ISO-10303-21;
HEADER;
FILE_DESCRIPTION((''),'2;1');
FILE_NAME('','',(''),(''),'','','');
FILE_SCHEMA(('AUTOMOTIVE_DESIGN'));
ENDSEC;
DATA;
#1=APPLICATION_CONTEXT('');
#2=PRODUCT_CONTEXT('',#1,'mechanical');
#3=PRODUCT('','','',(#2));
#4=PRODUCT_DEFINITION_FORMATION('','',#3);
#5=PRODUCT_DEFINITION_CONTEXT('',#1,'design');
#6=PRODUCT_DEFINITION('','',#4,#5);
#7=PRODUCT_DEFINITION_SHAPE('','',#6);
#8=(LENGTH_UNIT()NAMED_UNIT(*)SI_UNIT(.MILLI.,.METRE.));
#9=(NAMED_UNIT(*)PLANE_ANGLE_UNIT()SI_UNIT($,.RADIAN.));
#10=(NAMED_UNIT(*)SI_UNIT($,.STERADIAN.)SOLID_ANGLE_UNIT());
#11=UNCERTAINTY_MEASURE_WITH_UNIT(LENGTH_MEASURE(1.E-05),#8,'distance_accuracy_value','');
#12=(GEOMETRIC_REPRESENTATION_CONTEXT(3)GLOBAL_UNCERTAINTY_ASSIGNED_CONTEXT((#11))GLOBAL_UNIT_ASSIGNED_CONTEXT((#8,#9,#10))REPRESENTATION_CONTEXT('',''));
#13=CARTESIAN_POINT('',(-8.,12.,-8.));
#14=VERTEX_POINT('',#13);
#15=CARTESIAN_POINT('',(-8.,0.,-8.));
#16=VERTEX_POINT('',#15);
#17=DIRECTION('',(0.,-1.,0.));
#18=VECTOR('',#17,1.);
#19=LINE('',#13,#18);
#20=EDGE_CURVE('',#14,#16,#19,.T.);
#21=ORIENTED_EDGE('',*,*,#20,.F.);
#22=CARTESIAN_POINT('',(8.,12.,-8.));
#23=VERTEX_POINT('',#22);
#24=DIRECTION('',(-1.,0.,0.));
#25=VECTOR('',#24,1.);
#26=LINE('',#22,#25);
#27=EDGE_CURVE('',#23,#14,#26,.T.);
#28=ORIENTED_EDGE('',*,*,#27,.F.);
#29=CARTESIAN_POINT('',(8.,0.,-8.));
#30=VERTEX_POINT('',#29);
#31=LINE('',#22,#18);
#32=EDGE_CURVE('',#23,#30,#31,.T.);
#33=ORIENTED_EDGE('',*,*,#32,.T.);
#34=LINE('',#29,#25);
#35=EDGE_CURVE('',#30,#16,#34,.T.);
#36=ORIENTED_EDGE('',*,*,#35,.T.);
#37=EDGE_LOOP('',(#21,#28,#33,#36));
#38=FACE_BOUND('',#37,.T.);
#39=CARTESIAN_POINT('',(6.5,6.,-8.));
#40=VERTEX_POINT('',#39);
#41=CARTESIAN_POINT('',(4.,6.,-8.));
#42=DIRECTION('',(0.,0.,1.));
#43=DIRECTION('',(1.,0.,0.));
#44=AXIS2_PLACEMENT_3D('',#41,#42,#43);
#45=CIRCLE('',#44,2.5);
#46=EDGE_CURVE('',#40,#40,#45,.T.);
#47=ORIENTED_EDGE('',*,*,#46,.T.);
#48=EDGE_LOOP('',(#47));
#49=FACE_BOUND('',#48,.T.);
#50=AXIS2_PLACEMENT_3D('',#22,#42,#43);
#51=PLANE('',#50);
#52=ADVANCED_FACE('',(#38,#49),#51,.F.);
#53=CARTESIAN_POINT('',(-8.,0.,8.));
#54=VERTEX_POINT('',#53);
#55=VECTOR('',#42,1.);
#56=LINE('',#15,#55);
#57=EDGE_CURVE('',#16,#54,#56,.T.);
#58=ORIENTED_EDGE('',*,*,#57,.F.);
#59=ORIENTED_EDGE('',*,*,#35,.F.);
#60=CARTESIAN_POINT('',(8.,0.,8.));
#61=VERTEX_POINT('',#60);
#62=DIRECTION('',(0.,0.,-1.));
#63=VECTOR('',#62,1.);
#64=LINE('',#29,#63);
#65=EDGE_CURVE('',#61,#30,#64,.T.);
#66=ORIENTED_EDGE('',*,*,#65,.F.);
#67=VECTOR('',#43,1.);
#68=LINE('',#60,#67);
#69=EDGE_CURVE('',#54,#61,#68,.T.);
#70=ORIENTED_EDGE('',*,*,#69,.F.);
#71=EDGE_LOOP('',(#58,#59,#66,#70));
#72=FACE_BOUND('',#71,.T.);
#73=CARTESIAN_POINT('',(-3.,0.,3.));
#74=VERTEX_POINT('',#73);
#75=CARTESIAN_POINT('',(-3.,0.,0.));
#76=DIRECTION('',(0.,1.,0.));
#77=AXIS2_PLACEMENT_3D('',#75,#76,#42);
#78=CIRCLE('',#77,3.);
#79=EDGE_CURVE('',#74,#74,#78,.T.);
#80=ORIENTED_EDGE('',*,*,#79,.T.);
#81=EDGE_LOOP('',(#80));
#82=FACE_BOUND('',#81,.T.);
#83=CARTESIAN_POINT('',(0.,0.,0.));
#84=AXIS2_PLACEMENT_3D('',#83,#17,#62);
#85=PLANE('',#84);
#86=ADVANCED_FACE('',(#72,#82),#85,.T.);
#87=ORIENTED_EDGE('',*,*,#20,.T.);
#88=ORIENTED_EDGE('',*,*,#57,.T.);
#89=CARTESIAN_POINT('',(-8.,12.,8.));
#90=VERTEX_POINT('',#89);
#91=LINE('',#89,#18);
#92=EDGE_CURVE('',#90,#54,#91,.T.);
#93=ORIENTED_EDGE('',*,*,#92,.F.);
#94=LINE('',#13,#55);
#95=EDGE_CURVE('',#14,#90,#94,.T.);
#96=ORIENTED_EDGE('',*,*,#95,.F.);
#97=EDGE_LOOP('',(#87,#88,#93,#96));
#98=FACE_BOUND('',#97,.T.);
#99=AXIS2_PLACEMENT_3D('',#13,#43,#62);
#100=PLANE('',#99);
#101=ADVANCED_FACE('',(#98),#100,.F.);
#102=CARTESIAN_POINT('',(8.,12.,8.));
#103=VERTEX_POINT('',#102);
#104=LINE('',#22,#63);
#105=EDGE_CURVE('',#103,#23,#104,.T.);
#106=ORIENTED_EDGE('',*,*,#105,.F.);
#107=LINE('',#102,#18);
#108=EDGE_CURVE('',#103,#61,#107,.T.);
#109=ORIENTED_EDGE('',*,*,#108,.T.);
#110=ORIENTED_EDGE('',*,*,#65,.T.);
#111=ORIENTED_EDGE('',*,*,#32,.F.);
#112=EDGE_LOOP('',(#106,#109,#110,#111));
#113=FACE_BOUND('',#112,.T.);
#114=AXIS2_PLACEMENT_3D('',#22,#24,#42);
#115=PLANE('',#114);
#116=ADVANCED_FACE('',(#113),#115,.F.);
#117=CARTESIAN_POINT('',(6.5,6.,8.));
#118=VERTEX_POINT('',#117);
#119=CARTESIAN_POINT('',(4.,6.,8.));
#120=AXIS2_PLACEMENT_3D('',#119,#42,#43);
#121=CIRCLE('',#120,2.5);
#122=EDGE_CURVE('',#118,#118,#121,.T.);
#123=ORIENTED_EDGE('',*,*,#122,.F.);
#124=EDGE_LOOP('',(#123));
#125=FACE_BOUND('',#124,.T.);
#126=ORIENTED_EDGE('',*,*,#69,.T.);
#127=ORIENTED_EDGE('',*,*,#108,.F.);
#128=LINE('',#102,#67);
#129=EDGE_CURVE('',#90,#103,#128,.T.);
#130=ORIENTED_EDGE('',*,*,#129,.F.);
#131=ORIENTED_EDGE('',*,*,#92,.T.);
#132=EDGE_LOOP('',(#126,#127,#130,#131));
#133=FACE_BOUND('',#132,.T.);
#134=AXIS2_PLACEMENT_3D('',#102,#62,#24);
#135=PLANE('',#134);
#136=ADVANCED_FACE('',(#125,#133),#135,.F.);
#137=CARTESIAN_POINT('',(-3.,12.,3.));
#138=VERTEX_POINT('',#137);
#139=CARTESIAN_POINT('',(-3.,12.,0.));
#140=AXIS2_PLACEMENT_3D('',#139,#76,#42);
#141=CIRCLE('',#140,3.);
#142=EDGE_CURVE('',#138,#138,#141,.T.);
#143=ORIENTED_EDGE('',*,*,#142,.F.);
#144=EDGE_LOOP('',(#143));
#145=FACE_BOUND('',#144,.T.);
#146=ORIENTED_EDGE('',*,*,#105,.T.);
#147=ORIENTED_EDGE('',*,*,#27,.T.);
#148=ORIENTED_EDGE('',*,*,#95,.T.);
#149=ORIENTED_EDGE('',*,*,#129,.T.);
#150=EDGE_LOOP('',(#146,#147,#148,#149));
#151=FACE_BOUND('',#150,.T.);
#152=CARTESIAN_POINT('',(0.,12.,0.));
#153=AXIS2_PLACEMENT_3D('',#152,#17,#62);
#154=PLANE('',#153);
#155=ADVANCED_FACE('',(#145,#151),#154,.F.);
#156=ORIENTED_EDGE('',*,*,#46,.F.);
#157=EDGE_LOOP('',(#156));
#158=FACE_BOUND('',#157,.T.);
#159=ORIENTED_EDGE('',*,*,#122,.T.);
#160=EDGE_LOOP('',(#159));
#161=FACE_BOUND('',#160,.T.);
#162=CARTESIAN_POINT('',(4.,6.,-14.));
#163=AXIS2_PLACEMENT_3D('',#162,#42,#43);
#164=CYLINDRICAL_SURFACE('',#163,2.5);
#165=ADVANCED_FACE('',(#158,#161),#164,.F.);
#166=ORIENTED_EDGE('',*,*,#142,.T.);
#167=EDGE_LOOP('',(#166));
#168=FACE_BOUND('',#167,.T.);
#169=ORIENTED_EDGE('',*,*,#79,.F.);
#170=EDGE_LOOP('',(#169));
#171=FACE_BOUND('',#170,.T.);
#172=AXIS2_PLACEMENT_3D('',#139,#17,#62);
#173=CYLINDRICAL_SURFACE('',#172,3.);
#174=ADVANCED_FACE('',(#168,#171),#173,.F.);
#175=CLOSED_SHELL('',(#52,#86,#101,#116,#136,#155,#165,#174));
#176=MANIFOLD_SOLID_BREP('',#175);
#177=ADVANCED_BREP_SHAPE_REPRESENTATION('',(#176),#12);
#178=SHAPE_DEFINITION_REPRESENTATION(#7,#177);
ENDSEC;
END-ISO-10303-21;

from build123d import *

# Parameters (mm, degrees)
SKICA1_W                 = 16
SKICA1_H                 = 16
SKICA1_R                 = 3
P_IDAT_VYSUNUT_M1_DEPTH  = 12
SKICA2_R                 = 2.5
ODEBRAT_VYSUNUT_M1_DEPTH = 22


with BuildPart() as part:
    # Skica1 → Přidat vysunutím1 (new body)
    with BuildSketch(Plane(origin=(0, 0, 0), x_dir=(1, 0, 0), z_dir=(0, 1, 0))):
        Rectangle(SKICA1_W, SKICA1_H)
        with Locations(Location((-3, 0, 0), (0, 0, 270))):
            Circle(SKICA1_R, mode=Mode.SUBTRACT)
    extrude(amount=P_IDAT_VYSUNUT_M1_DEPTH)

    # Skica2 → Odebrat vysunutím1 (cut)
    with BuildSketch(Plane.XY.offset(8)):
        with Locations((4, 6)):
            Circle(SKICA2_R)
    extrude(amount=-ODEBRAT_VYSUNUT_M1_DEPTH, mode=Mode.SUBTRACT)


solid = part.part
